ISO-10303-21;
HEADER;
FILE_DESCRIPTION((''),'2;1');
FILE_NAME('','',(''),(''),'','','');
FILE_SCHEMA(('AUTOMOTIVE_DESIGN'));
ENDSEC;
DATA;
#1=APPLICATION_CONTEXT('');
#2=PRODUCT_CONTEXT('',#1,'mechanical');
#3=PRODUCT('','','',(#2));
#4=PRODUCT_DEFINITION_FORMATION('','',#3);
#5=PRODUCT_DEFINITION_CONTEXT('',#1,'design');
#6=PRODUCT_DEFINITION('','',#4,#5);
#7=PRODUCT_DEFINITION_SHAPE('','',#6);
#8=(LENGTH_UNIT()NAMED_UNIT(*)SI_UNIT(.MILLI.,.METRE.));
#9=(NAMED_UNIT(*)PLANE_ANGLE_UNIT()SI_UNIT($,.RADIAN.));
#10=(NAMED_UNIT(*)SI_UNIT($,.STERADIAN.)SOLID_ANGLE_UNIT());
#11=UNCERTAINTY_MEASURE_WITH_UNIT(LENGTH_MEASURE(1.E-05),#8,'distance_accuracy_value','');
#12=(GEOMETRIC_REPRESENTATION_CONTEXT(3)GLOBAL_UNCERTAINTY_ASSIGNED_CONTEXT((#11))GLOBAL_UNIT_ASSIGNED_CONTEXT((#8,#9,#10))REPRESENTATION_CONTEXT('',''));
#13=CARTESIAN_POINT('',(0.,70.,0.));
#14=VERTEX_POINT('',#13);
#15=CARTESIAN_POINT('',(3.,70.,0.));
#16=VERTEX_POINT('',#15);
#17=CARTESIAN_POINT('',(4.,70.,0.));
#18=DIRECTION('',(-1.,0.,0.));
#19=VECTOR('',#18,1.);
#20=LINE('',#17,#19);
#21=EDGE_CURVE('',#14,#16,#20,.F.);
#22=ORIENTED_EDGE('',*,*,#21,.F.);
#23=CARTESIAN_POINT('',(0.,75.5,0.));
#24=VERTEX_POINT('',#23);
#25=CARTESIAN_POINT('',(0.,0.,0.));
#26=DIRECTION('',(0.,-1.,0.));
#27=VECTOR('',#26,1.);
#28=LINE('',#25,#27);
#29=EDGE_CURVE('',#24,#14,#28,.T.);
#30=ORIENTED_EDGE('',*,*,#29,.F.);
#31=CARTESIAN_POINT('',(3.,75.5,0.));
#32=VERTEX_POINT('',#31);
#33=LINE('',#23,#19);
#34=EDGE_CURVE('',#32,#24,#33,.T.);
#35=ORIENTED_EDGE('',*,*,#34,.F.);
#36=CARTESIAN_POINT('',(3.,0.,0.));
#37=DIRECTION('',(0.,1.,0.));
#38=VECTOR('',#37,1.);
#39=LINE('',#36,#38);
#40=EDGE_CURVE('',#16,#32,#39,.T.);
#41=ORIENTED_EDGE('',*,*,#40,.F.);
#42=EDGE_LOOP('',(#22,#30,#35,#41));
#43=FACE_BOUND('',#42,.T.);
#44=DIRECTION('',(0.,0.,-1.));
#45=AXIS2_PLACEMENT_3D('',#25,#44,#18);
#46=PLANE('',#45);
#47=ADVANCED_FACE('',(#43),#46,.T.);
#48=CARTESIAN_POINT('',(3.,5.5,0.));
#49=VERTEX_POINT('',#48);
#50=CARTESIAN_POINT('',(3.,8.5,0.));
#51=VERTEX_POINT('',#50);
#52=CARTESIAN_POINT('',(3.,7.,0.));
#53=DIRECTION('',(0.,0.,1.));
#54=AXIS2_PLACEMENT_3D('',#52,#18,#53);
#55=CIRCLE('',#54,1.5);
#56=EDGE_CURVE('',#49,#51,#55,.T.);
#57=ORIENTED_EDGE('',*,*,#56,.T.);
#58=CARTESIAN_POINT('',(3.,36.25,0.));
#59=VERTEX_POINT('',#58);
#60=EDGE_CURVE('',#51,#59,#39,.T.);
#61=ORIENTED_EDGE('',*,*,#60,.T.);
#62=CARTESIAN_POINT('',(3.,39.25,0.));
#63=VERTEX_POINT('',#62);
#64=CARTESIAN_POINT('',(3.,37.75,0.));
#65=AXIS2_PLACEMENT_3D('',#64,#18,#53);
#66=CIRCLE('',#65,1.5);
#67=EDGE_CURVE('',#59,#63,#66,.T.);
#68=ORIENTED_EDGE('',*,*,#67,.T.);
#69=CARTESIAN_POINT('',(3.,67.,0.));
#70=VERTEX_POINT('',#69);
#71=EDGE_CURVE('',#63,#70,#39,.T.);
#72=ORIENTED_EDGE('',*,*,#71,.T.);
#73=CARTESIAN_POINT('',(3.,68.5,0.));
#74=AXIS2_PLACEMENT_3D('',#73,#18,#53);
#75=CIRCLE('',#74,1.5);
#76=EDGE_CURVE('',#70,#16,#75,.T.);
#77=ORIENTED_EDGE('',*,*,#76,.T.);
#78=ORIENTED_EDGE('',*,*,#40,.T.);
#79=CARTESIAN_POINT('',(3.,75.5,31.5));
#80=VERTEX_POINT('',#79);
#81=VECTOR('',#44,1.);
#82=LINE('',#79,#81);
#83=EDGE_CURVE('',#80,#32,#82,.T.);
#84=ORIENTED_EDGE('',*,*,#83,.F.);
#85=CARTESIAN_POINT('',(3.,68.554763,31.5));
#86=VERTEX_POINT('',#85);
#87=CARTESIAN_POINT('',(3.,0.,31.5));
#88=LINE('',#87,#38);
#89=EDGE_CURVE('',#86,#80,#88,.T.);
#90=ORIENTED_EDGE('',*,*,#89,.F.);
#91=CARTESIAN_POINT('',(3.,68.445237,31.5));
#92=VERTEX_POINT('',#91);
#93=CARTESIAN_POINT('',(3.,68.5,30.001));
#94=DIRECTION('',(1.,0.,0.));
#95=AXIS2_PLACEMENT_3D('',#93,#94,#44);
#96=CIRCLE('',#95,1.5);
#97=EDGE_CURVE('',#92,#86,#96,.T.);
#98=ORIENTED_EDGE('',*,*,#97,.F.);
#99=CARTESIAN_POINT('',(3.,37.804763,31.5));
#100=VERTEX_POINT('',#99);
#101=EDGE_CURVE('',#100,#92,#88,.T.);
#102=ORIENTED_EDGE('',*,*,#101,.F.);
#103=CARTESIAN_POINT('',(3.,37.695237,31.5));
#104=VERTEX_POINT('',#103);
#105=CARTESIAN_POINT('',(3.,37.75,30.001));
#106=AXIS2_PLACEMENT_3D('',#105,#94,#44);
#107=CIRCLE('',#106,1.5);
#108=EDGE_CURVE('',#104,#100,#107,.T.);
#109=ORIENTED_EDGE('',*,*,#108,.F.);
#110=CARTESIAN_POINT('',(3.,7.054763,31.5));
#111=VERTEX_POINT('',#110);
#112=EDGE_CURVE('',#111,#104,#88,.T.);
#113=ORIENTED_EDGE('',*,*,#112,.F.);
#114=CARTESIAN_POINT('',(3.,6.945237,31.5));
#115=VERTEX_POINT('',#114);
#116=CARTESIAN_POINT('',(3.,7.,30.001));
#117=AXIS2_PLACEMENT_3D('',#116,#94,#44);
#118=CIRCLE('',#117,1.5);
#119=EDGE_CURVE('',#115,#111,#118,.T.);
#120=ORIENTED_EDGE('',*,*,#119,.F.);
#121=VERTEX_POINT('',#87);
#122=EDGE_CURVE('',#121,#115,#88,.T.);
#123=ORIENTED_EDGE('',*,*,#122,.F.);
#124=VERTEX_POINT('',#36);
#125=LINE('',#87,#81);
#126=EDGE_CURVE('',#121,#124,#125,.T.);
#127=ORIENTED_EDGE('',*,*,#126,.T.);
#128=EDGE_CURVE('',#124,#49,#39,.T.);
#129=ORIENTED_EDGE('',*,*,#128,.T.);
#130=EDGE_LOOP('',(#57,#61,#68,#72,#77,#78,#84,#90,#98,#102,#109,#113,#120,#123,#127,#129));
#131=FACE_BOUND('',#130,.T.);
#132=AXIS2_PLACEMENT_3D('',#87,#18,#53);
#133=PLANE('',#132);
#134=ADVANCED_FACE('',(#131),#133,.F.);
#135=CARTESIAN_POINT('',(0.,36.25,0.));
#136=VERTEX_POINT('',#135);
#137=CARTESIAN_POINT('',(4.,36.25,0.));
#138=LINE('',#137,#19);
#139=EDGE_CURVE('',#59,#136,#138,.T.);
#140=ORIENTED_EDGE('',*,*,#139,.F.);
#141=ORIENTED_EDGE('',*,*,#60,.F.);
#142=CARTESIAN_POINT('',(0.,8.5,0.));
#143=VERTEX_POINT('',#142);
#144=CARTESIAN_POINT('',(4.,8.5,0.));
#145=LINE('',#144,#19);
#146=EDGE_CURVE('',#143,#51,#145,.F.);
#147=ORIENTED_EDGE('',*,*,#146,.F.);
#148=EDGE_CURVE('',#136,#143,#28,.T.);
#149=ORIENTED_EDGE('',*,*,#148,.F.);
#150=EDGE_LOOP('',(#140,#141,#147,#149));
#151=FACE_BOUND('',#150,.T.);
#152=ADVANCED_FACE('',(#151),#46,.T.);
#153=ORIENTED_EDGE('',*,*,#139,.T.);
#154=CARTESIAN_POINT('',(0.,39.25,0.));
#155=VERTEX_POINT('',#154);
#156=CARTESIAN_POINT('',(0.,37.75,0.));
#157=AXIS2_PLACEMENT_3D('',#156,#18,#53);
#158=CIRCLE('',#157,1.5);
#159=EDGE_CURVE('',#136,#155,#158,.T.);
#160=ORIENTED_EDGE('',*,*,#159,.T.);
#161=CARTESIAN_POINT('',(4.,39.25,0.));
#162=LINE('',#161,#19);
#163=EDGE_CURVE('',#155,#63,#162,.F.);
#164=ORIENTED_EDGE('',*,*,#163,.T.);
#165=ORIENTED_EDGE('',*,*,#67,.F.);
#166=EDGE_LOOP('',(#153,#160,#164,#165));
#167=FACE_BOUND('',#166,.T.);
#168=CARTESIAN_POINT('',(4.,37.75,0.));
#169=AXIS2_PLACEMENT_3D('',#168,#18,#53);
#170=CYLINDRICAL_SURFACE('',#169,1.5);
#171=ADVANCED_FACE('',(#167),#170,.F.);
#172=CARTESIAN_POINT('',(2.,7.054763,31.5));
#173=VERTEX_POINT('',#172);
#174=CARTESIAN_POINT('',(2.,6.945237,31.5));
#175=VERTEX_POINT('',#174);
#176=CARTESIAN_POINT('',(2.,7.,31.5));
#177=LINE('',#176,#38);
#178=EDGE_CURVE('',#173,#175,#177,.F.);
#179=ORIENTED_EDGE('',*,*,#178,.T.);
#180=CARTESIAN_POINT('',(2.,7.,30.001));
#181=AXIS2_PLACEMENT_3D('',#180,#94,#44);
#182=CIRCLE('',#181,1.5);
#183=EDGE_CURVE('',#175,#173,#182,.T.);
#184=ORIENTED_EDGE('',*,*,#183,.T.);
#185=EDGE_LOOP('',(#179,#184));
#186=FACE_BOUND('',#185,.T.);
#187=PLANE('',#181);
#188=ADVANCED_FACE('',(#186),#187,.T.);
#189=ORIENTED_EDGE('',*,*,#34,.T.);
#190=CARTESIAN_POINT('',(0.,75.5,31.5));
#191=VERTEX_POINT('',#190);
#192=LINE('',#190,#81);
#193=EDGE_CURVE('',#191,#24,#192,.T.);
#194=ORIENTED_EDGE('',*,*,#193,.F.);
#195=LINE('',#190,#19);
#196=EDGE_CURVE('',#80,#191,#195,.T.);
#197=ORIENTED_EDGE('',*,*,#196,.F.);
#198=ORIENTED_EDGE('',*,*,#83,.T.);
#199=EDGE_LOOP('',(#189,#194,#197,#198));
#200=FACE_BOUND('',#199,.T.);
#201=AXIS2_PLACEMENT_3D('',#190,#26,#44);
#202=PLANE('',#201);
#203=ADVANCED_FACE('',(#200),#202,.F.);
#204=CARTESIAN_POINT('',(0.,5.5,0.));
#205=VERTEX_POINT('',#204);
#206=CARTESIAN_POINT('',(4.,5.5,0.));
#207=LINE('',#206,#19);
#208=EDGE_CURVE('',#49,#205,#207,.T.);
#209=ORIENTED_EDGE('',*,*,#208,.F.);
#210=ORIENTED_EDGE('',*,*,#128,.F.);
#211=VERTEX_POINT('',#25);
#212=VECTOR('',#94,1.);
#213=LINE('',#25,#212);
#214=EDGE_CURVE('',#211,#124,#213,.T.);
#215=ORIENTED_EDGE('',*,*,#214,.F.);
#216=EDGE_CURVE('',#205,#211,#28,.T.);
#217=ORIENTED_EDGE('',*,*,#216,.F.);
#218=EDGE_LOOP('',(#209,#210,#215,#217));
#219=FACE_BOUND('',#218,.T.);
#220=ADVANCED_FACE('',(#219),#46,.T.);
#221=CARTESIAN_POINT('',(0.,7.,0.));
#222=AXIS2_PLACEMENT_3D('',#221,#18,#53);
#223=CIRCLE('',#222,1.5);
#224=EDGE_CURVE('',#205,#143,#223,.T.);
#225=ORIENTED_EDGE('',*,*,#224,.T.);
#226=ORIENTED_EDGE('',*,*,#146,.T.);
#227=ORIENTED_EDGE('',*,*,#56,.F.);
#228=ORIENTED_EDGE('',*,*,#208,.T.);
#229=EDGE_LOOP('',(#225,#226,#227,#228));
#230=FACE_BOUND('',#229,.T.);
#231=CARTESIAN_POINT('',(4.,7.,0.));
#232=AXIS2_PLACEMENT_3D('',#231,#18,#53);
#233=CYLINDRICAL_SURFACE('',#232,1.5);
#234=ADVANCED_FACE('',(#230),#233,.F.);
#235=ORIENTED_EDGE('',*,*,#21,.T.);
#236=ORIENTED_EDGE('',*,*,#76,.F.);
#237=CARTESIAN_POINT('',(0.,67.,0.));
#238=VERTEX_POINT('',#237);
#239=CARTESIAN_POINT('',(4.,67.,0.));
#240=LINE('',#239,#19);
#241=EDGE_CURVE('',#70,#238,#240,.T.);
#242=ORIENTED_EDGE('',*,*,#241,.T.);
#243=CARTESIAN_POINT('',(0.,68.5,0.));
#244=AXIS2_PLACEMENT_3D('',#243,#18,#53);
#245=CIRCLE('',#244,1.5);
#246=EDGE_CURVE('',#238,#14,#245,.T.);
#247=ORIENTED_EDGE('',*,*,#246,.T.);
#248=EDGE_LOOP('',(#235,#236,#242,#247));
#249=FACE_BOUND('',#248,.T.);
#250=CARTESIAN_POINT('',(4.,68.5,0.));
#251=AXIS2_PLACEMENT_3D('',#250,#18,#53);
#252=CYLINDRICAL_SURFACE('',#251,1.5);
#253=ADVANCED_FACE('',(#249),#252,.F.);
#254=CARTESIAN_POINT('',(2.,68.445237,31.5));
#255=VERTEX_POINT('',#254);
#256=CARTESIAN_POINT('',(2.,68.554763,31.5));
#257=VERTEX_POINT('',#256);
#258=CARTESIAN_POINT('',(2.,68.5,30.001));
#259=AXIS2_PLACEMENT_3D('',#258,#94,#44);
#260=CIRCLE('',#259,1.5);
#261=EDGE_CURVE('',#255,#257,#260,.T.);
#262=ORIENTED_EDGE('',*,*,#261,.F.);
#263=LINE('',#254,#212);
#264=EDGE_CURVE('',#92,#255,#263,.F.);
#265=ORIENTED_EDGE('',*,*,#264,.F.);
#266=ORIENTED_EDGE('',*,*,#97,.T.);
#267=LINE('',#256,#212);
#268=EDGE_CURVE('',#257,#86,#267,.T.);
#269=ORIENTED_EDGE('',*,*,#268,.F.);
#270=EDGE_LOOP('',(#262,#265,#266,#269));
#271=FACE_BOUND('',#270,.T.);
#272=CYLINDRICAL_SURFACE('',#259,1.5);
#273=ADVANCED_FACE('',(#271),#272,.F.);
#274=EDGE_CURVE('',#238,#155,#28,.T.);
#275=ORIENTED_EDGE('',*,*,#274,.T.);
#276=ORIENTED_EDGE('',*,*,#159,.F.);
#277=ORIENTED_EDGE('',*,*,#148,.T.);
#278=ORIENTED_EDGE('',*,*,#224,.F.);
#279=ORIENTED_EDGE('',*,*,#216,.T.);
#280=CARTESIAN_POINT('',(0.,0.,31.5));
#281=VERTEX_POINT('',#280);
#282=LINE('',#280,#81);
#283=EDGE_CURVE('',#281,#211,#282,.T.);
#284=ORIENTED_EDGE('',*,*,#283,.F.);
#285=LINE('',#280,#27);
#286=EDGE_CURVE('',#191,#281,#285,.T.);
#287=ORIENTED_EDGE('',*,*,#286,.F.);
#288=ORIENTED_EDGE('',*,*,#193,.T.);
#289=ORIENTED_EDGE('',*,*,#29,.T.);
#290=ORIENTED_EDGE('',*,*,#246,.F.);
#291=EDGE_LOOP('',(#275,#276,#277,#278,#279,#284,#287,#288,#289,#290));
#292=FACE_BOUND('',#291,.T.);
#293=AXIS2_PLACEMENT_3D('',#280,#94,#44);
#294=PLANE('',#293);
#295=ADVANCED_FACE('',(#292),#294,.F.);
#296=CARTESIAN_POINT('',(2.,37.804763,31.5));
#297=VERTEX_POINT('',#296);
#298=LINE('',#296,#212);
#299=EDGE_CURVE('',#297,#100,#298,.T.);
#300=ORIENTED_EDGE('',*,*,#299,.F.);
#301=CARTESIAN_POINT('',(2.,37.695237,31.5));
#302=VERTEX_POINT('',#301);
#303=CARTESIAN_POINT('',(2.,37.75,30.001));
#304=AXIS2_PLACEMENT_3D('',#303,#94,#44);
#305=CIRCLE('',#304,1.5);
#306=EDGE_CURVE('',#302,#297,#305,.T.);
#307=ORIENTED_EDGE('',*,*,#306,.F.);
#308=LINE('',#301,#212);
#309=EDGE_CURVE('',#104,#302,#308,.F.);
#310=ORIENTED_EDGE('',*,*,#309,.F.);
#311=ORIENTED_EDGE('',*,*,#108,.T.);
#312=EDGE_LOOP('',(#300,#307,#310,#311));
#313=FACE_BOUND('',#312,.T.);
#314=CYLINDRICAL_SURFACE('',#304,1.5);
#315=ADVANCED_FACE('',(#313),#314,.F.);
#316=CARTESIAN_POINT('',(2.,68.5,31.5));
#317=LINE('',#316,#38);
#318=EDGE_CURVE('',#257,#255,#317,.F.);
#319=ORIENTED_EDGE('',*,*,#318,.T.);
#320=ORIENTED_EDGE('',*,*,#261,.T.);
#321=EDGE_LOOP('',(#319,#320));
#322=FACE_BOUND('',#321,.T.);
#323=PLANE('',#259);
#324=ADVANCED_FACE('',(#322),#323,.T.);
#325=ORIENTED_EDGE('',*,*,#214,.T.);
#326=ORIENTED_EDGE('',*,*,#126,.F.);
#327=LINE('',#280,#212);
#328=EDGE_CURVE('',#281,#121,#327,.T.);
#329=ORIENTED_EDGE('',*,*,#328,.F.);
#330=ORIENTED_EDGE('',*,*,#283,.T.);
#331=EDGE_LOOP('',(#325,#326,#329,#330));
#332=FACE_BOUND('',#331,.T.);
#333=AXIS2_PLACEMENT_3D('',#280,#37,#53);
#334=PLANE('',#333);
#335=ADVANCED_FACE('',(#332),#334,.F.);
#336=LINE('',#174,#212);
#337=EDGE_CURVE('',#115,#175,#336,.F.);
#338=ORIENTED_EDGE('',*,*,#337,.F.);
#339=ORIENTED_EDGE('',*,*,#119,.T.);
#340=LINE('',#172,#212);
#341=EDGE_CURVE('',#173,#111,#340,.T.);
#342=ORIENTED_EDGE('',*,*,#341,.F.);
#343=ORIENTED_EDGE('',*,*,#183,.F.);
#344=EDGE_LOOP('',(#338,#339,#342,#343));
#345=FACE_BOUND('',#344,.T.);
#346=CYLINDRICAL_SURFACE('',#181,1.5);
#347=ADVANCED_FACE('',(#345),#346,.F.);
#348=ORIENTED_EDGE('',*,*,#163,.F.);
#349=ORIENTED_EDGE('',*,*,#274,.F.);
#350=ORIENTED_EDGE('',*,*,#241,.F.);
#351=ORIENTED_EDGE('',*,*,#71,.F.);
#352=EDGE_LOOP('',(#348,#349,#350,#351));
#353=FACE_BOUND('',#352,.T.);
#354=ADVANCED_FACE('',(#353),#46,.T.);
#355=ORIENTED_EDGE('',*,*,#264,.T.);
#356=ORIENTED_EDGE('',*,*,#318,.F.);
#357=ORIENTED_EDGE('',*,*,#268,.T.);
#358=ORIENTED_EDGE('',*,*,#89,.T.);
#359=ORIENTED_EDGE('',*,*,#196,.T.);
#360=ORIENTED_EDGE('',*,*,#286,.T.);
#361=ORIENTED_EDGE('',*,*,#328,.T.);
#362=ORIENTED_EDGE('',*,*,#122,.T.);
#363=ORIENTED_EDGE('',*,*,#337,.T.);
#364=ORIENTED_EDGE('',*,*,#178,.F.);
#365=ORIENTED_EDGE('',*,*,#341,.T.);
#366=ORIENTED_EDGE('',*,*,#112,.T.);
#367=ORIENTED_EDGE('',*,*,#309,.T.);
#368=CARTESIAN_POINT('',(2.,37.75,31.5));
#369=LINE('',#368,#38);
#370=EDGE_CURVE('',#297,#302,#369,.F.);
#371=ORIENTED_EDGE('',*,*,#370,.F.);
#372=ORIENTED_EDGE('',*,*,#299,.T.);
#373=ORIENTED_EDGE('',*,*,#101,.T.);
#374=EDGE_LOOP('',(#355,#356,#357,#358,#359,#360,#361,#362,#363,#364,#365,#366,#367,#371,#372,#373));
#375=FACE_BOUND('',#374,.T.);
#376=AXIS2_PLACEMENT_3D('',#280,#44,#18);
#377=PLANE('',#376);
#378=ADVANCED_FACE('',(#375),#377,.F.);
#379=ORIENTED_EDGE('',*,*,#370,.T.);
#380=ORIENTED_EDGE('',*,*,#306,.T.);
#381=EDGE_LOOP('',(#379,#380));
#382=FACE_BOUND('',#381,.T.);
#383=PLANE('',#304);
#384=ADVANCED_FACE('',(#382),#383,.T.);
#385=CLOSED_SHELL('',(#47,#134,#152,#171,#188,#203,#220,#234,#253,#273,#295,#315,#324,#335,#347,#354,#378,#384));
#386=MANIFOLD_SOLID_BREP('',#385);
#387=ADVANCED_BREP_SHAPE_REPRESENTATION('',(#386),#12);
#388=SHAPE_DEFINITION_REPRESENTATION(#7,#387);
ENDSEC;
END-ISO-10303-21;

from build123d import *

# Parameters (mm, degrees)
SKETCH_1_W                                     = 3
SKETCH_1_H                                     = 74
EXTRUDE_1_DEPTH                                = 31.5
SKETCH_2_W                                     = 3
SKETCH_2_H                                     = 1.5
SIDE_REAR_EXTENSION_1P5MM_DEPTH                = 31.5
SKETCH_3_R                                     = 1.5
SIDE_TOP_EDGE_MAGNET_POCKETS_D3_DEPTH1_3_DEPTH = 1
SIDE_BOTTOM_EDGE_SEMICIRCLES_D3_THROUGH_DEPTH  = 4


with BuildPart() as part:
    # Эскиз1 → Бобышка-Вытянуть1 (new body)
    with BuildSketch(Plane.XY):
        with Locations((1.5, 37)):
            Rectangle(SKETCH_1_W, SKETCH_1_H)
    extrude(amount=EXTRUDE_1_DEPTH)

    # Эскиз2 → side_rear_extension_1p5mm (add)
    with BuildSketch(Plane.XY):
        with Locations((1.5, 74.75)):
            Rectangle(SKETCH_2_W, SKETCH_2_H)
    extrude(amount=SIDE_REAR_EXTENSION_1P5MM_DEPTH)

    # Эскиз3 → side_top_edge_magnet_pockets_D3_depth1_3x (cut)
    with BuildSketch(Plane(origin=(3, 0, 0), x_dir=(0, 0, -1), z_dir=(1, 0, 0))):
        with Locations((-30.001, 7)):
            Circle(SKETCH_3_R)
        with Locations((-30.001, 37.75)):
            Circle(SKETCH_3_R)
        with Locations((-30.001, 68.5)):
            Circle(SKETCH_3_R)
    extrude(amount=-SIDE_TOP_EDGE_MAGNET_POCKETS_D3_DEPTH1_3_DEPTH, mode=Mode.SUBTRACT)

    # Эскиз4 → side_bottom_edge_semicircles_D3_through_3x (cut)
    with BuildSketch(Plane.ZY):
        with BuildLine():
            Line((0, 5.5), (0, 8.5))
            ThreePointArc((0, 8.5), (1.5, 7), (0, 5.5))
        make_face()
        with BuildLine():
            Line((0, 36.25), (0, 39.25))
            ThreePointArc((0, 39.25), (1.5, 37.75), (0, 36.25))
        make_face()
        with BuildLine():
            Line((0, 67), (0, 70))
            ThreePointArc((0, 70), (1.5, 68.5), (0, 67))
        make_face()
    extrude(amount=-SIDE_BOTTOM_EDGE_SEMICIRCLES_D3_THROUGH_DEPTH, mode=Mode.SUBTRACT)


solid = part.part
